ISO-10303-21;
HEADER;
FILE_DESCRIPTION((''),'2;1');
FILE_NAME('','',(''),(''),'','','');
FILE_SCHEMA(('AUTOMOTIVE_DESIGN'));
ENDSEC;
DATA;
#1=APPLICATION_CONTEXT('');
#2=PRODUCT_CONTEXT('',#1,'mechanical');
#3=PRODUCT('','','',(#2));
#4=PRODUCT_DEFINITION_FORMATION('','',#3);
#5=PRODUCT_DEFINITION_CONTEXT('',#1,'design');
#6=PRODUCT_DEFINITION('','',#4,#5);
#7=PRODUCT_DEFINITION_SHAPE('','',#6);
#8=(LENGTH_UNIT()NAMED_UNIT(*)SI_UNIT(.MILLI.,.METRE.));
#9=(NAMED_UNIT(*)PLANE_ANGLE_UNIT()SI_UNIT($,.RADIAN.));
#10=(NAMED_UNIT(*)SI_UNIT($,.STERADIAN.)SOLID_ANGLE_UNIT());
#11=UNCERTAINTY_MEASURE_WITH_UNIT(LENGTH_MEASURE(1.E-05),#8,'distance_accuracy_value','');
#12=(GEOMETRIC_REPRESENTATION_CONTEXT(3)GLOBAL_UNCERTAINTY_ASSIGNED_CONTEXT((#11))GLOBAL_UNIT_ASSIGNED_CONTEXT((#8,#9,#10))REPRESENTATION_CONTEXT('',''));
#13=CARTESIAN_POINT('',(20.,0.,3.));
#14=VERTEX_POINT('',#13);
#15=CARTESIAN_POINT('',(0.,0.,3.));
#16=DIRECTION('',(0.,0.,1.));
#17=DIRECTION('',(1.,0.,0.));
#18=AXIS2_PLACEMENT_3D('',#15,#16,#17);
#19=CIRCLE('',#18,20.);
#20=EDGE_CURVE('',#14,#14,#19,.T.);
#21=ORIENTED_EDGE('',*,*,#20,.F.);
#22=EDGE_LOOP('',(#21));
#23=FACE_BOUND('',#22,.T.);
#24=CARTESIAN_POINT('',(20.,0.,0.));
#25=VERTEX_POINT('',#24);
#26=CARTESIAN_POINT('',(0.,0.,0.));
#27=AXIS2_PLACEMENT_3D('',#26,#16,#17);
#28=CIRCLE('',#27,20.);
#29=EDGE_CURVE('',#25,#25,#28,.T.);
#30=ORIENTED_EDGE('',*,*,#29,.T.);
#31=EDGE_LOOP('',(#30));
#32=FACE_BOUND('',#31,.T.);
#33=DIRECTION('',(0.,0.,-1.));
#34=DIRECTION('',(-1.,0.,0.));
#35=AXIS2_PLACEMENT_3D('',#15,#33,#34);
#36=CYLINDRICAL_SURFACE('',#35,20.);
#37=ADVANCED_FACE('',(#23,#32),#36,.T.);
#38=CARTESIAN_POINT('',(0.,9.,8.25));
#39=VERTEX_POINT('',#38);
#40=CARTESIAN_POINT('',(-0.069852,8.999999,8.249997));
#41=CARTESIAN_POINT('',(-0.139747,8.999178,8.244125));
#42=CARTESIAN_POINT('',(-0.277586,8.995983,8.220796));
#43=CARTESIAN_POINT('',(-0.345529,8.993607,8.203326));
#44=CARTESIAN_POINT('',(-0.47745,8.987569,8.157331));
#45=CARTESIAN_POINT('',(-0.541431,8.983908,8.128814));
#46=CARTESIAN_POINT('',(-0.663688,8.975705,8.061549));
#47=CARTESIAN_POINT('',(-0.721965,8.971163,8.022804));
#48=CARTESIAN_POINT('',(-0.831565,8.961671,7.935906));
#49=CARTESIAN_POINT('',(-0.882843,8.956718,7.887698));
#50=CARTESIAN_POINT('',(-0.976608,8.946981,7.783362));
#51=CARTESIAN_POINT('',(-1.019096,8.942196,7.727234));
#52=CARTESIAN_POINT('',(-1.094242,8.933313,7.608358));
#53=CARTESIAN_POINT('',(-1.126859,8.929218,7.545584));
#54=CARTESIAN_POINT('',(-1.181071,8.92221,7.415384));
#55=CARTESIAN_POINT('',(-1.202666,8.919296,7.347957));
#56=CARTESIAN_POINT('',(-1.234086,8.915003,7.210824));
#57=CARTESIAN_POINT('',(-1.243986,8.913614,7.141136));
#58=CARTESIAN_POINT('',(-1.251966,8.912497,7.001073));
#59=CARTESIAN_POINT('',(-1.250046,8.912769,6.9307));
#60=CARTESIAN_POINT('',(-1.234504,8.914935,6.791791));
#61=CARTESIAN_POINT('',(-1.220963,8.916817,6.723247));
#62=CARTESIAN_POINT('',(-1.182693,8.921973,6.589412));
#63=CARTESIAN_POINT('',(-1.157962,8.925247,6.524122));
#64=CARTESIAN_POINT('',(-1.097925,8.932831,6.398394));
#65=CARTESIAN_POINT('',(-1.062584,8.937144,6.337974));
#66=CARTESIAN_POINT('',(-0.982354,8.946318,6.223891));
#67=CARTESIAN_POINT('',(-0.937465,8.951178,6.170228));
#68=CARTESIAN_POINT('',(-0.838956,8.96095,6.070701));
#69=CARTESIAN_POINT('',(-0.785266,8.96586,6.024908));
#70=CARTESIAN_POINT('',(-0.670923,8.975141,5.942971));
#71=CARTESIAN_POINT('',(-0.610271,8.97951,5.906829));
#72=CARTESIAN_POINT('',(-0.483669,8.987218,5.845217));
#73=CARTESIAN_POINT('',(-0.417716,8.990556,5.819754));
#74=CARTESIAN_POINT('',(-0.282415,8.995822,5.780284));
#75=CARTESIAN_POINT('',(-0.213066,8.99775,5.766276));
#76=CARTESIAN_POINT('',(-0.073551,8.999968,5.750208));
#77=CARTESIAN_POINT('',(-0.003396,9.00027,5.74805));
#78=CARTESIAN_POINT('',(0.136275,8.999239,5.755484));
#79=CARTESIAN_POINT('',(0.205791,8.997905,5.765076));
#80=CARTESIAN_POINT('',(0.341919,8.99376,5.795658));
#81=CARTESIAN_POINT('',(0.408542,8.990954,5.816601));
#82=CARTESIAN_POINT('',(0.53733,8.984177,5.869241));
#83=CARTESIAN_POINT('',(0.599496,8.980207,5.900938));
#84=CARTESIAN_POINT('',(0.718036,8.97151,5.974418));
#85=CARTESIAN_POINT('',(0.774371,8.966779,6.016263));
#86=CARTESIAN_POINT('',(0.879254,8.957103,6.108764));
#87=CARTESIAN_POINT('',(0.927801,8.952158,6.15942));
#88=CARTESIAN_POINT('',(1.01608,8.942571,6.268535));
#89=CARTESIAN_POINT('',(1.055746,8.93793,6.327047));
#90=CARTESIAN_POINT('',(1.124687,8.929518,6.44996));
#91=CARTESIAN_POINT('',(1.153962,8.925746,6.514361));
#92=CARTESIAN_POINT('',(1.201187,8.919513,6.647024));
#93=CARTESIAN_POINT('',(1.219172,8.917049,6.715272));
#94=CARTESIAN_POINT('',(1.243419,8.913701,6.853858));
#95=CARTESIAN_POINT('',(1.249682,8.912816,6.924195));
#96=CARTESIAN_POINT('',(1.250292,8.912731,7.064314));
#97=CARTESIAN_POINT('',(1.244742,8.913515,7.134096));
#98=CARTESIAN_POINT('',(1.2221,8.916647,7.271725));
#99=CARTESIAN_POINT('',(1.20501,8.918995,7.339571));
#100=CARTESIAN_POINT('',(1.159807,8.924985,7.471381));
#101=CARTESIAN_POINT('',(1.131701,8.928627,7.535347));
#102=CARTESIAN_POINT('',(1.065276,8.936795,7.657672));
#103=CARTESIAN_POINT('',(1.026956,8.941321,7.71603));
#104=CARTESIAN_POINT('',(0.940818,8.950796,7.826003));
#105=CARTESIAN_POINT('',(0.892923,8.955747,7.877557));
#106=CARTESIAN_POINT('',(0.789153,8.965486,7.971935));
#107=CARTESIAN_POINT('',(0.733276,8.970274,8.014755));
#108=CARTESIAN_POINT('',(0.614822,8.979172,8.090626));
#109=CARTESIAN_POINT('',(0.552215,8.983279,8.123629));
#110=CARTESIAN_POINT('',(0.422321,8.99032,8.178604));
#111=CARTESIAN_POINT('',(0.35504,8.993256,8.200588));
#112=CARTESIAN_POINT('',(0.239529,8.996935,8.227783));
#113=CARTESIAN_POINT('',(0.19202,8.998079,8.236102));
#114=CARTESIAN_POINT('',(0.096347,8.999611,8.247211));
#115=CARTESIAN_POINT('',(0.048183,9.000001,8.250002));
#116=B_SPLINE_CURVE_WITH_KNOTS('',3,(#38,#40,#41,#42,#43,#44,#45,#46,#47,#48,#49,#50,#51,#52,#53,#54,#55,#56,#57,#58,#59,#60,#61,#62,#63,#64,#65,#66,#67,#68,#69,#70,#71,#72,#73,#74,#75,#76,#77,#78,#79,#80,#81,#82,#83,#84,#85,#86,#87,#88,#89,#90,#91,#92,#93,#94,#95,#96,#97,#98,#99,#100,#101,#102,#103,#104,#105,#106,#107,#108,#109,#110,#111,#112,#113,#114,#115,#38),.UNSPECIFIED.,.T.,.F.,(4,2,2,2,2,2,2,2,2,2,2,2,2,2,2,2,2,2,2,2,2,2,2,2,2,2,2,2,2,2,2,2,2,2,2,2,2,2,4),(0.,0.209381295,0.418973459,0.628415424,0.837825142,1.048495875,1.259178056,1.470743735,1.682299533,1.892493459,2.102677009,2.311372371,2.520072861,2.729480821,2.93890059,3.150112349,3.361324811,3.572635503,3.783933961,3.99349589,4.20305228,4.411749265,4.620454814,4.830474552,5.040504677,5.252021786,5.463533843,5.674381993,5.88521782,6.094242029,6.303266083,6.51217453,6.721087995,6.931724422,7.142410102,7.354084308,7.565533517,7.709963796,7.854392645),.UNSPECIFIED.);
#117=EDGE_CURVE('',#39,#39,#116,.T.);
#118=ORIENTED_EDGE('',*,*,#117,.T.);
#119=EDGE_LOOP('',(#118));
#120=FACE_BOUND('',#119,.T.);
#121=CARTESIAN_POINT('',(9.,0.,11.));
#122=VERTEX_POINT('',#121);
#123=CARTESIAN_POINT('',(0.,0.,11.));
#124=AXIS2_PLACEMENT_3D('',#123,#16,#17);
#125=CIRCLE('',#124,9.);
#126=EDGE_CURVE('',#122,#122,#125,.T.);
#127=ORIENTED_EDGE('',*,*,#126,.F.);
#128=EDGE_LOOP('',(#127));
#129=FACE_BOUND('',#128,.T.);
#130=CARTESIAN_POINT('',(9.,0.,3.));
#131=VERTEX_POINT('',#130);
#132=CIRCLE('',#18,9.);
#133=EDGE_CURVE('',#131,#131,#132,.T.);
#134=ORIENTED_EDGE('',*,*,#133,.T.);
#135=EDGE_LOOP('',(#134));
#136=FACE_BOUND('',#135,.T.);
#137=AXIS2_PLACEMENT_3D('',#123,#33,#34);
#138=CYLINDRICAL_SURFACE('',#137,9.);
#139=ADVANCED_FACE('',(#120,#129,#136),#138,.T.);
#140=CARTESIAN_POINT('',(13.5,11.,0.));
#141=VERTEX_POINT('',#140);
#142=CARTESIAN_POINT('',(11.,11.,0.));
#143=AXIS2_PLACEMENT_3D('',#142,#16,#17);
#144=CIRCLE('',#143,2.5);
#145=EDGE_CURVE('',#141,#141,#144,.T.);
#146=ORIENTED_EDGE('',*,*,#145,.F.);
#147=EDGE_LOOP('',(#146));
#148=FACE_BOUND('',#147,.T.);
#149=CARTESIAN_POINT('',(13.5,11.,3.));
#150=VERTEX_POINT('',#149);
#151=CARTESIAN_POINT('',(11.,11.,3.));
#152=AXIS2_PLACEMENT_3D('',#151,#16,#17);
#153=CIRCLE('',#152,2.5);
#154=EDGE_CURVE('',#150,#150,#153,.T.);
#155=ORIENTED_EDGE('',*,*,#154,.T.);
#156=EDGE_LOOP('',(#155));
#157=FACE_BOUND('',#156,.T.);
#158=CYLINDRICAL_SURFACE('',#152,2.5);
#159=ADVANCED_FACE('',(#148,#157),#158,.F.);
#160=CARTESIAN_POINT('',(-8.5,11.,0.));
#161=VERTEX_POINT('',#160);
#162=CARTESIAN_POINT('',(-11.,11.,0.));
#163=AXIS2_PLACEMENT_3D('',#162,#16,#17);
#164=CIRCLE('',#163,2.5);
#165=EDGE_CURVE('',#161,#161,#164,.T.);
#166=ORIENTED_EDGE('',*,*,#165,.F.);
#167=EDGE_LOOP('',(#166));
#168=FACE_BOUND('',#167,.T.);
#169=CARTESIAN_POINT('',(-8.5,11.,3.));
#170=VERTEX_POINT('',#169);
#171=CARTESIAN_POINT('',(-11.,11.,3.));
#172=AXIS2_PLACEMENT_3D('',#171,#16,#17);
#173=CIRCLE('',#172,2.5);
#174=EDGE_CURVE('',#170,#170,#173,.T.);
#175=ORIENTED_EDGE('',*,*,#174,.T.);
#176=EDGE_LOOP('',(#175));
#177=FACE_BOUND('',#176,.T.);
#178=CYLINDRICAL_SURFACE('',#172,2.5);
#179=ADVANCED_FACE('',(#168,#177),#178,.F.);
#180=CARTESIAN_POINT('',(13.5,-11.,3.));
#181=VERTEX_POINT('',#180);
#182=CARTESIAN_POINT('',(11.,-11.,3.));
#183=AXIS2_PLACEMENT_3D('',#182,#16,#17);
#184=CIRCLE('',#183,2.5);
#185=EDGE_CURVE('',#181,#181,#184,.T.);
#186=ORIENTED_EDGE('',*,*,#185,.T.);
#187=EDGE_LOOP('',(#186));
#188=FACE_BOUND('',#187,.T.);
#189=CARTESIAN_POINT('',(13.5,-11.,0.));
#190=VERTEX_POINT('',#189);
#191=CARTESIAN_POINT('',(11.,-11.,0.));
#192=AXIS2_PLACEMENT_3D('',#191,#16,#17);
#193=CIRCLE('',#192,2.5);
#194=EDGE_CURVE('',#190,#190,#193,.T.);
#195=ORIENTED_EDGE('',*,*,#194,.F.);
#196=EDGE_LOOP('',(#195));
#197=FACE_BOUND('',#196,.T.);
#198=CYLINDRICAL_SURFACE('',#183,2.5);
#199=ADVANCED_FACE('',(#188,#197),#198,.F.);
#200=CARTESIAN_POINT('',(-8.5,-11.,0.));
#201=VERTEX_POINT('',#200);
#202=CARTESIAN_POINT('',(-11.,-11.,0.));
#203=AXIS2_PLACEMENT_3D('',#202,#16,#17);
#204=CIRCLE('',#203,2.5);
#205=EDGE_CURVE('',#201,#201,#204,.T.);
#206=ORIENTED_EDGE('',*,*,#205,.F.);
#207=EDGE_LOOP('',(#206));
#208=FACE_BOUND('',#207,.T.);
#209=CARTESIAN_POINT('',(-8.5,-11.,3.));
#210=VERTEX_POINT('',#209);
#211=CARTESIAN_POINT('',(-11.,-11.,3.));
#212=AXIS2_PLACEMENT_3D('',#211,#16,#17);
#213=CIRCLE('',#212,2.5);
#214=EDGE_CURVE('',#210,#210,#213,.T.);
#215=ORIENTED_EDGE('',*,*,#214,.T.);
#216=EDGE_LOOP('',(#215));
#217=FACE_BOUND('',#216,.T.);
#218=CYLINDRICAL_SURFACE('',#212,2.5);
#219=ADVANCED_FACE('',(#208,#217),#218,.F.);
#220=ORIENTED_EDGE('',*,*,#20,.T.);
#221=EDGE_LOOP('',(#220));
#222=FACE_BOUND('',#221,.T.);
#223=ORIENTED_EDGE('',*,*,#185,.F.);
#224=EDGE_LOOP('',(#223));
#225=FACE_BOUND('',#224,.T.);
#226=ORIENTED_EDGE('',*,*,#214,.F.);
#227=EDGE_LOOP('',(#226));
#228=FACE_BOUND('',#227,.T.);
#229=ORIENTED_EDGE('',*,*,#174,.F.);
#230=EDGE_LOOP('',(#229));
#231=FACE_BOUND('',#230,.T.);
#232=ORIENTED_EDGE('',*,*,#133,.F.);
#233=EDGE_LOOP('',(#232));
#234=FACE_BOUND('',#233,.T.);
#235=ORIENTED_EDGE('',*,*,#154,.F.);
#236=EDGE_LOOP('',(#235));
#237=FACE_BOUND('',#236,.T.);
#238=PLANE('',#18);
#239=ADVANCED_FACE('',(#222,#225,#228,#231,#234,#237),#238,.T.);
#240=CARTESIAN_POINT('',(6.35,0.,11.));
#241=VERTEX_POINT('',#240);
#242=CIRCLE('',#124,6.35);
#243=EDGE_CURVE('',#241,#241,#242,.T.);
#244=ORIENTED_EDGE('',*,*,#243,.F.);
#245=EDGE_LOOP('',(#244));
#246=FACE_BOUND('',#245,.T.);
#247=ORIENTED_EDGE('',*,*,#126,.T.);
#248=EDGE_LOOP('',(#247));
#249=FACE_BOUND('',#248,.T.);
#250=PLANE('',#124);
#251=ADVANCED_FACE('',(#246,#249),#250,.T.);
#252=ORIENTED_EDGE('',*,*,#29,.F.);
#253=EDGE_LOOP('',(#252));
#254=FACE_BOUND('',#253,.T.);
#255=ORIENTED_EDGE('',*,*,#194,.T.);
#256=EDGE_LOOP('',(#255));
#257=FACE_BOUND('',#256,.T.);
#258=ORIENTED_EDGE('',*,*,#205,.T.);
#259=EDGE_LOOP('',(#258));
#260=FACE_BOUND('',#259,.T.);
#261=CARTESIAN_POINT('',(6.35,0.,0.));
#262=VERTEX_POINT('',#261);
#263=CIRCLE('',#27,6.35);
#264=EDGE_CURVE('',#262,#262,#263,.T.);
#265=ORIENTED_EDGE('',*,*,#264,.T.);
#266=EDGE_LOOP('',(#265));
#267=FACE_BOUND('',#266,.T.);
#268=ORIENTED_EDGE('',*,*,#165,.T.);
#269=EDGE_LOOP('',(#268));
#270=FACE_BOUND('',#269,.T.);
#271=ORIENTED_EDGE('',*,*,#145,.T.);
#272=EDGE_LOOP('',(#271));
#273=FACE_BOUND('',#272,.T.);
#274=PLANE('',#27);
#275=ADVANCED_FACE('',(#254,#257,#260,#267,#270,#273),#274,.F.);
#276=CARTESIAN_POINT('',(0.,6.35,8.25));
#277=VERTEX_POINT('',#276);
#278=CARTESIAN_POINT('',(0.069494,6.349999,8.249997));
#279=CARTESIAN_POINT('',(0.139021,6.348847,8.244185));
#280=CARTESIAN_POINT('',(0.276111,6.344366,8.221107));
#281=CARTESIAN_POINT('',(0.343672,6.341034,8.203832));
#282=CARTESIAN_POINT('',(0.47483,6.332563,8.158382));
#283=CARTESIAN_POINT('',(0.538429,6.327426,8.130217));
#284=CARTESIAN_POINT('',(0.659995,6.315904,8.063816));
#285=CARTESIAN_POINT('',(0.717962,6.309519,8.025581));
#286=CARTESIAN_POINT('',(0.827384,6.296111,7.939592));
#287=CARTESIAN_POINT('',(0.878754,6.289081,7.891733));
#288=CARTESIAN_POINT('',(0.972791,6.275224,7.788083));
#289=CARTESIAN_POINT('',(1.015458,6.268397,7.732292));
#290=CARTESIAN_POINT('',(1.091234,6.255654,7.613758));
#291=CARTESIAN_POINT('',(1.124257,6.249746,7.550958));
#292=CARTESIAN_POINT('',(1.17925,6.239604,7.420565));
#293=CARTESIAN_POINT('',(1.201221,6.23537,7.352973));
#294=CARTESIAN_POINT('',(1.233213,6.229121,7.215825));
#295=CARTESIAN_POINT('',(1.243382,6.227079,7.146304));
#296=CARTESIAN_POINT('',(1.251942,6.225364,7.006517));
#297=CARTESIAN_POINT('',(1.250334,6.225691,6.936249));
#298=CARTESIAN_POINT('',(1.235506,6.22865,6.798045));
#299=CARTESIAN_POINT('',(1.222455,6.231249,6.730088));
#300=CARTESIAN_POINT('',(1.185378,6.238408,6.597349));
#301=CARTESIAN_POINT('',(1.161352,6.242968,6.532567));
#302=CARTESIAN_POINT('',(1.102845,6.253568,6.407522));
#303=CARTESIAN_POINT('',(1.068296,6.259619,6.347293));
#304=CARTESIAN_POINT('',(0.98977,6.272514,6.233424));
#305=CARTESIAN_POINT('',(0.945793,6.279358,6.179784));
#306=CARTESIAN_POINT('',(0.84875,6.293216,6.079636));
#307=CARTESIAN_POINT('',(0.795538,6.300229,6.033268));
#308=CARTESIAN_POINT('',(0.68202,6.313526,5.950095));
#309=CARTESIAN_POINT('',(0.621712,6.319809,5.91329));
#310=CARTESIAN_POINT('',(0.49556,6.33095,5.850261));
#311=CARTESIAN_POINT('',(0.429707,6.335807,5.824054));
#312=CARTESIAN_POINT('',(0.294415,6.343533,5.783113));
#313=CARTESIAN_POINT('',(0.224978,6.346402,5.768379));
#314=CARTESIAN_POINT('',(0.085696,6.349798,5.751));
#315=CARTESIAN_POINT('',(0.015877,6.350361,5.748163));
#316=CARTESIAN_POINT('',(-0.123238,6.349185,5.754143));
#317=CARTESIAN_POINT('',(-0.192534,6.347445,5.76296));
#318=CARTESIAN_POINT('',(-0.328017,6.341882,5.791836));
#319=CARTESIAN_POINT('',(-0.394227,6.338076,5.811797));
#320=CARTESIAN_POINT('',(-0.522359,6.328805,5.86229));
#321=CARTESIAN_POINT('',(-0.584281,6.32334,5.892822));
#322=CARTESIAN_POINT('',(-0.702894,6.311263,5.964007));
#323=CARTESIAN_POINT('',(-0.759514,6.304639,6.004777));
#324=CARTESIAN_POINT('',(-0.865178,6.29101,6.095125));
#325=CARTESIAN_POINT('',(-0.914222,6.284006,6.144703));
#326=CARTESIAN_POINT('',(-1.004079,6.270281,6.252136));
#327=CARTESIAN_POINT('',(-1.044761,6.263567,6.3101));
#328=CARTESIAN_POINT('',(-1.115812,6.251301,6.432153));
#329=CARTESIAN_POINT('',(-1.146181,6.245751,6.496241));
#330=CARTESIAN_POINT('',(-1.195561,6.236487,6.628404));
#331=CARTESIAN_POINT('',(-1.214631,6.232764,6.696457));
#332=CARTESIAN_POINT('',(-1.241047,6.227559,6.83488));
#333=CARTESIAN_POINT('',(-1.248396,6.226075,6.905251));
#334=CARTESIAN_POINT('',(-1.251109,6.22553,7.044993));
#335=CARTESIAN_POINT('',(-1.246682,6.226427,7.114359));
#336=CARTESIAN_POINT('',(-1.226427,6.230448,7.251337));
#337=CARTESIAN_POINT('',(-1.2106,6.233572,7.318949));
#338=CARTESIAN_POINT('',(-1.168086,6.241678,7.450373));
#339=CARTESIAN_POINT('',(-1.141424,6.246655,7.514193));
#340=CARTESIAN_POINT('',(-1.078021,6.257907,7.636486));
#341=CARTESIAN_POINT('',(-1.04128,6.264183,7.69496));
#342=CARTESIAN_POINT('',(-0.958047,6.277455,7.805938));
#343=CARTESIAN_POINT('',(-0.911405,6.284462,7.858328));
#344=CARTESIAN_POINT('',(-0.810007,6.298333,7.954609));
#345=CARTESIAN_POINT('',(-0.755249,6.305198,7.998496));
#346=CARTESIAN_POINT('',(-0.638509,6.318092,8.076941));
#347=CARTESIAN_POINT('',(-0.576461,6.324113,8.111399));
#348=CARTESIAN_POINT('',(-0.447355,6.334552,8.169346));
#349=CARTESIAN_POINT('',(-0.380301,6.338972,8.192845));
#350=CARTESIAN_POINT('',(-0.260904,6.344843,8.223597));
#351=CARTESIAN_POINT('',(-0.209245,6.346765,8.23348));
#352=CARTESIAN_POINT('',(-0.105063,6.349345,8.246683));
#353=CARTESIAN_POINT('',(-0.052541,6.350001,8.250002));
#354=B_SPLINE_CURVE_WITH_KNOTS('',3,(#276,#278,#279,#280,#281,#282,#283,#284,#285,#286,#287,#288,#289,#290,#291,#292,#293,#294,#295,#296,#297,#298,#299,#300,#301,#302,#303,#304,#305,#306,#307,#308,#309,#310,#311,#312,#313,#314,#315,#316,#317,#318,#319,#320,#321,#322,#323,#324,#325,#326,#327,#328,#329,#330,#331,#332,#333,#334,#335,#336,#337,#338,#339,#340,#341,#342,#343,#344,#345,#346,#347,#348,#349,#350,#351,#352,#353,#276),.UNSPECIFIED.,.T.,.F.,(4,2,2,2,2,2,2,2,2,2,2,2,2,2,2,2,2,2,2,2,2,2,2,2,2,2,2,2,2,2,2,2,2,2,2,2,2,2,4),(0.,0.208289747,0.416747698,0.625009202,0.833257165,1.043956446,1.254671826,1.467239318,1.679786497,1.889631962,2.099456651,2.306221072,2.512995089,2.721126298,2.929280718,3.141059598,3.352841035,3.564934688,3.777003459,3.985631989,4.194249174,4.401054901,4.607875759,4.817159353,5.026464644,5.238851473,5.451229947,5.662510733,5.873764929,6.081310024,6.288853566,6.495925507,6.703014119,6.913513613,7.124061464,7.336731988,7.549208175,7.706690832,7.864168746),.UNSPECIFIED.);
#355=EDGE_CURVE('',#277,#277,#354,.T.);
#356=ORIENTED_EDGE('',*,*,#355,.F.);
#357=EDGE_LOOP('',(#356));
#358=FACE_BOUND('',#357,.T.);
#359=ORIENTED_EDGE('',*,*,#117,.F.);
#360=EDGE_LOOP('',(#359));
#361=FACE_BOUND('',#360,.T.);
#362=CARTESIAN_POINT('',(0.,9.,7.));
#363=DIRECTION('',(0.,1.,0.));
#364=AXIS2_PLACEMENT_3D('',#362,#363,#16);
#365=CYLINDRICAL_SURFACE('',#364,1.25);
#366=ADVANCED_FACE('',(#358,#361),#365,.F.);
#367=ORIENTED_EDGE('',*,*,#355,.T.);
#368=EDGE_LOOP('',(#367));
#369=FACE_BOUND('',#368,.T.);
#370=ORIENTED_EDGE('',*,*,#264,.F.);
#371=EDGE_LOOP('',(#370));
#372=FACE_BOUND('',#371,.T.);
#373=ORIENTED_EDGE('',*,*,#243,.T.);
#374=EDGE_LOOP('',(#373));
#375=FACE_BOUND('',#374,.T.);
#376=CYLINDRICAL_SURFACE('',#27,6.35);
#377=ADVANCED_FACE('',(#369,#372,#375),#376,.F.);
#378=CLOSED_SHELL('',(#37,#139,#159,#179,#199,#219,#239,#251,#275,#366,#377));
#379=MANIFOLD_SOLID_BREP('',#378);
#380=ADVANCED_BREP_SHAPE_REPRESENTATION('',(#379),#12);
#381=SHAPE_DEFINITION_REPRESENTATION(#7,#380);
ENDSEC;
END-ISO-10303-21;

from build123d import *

# Parameters (mm, degrees)
SKETCH1_R                = 20
BOSS_EXTRUDE1_DEPTH      = 3
SKETCH2_R                = 9
BOSS_EXTRUDE2_DEPTH      = 8
SKETCH4_R                = 6.35
CUT_EXTRUDE1_DEPTH       = 31.347981811
M3_TAPPED_HOLE1_REACH    = 37.917
M3_TAPPED_HOLE1_BORE_R   = 1.25
F_5_0_5_DIAMETER_HOLE1_D = 5
CIRPATTERN1_COUNT        = 4


with BuildPart() as part:
    # Sketch1 → Boss-Extrude1 (new body)
    with BuildSketch(Plane.XY):
        Circle(SKETCH1_R)
    extrude(amount=BOSS_EXTRUDE1_DEPTH)

    # Sketch2 → Boss-Extrude2 (add)
    with BuildSketch(Plane.XY.offset(3)):
        Circle(SKETCH2_R)
    extrude(amount=BOSS_EXTRUDE2_DEPTH)

    # Sketch4 → Cut-Extrude1 (cut, through all)
    with BuildSketch(Plane.XY.offset(11)):
        Circle(SKETCH4_R)
    extrude(amount=-CUT_EXTRUDE1_DEPTH, mode=Mode.SUBTRACT)

    # M3 Tapped Hole1 bore (on position points) → M3 Tapped Hole1 (cut, up to next)
    with BuildSketch(Plane(origin=(0, 9, 7), x_dir=(1, 0, 0), z_dir=(0, 1, 0)), mode=Mode.PRIVATE) as m3_tapped_hole1_sk1:
        Circle(M3_TAPPED_HOLE1_BORE_R)
    m3_tapped_hole1_tool1 = extrude(m3_tapped_hole1_sk1.sketch, amount=-M3_TAPPED_HOLE1_REACH, mode=Mode.PRIVATE) & part.part
    add(m3_tapped_hole1_tool1.solids().sort_by_distance((0, 9, 7))[0], mode=Mode.SUBTRACT)

    # Ø5.0 (5) Diameter Hole1 (through all)
    with Locations(Plane(origin=(11, 11, 3), x_dir=(1, 0, 0), z_dir=(0, 0, 1))):
        with Locations((0, 0)):
            f_5_0_5_diameter_hole1 = Hole(F_5_0_5_DIAMETER_HOLE1_D / 2)

    # CirPattern1: Ø5.0 (5) Diameter Hole1 ×4 about axis
    cirpattern1_axis = Axis((0, 0, 0), (0, 0, 1))
    for i in range(1, CIRPATTERN1_COUNT):
        add(f_5_0_5_diameter_hole1.rotate(cirpattern1_axis, i * 360 / CIRPATTERN1_COUNT), mode=Mode.SUBTRACT)


solid = part.part
